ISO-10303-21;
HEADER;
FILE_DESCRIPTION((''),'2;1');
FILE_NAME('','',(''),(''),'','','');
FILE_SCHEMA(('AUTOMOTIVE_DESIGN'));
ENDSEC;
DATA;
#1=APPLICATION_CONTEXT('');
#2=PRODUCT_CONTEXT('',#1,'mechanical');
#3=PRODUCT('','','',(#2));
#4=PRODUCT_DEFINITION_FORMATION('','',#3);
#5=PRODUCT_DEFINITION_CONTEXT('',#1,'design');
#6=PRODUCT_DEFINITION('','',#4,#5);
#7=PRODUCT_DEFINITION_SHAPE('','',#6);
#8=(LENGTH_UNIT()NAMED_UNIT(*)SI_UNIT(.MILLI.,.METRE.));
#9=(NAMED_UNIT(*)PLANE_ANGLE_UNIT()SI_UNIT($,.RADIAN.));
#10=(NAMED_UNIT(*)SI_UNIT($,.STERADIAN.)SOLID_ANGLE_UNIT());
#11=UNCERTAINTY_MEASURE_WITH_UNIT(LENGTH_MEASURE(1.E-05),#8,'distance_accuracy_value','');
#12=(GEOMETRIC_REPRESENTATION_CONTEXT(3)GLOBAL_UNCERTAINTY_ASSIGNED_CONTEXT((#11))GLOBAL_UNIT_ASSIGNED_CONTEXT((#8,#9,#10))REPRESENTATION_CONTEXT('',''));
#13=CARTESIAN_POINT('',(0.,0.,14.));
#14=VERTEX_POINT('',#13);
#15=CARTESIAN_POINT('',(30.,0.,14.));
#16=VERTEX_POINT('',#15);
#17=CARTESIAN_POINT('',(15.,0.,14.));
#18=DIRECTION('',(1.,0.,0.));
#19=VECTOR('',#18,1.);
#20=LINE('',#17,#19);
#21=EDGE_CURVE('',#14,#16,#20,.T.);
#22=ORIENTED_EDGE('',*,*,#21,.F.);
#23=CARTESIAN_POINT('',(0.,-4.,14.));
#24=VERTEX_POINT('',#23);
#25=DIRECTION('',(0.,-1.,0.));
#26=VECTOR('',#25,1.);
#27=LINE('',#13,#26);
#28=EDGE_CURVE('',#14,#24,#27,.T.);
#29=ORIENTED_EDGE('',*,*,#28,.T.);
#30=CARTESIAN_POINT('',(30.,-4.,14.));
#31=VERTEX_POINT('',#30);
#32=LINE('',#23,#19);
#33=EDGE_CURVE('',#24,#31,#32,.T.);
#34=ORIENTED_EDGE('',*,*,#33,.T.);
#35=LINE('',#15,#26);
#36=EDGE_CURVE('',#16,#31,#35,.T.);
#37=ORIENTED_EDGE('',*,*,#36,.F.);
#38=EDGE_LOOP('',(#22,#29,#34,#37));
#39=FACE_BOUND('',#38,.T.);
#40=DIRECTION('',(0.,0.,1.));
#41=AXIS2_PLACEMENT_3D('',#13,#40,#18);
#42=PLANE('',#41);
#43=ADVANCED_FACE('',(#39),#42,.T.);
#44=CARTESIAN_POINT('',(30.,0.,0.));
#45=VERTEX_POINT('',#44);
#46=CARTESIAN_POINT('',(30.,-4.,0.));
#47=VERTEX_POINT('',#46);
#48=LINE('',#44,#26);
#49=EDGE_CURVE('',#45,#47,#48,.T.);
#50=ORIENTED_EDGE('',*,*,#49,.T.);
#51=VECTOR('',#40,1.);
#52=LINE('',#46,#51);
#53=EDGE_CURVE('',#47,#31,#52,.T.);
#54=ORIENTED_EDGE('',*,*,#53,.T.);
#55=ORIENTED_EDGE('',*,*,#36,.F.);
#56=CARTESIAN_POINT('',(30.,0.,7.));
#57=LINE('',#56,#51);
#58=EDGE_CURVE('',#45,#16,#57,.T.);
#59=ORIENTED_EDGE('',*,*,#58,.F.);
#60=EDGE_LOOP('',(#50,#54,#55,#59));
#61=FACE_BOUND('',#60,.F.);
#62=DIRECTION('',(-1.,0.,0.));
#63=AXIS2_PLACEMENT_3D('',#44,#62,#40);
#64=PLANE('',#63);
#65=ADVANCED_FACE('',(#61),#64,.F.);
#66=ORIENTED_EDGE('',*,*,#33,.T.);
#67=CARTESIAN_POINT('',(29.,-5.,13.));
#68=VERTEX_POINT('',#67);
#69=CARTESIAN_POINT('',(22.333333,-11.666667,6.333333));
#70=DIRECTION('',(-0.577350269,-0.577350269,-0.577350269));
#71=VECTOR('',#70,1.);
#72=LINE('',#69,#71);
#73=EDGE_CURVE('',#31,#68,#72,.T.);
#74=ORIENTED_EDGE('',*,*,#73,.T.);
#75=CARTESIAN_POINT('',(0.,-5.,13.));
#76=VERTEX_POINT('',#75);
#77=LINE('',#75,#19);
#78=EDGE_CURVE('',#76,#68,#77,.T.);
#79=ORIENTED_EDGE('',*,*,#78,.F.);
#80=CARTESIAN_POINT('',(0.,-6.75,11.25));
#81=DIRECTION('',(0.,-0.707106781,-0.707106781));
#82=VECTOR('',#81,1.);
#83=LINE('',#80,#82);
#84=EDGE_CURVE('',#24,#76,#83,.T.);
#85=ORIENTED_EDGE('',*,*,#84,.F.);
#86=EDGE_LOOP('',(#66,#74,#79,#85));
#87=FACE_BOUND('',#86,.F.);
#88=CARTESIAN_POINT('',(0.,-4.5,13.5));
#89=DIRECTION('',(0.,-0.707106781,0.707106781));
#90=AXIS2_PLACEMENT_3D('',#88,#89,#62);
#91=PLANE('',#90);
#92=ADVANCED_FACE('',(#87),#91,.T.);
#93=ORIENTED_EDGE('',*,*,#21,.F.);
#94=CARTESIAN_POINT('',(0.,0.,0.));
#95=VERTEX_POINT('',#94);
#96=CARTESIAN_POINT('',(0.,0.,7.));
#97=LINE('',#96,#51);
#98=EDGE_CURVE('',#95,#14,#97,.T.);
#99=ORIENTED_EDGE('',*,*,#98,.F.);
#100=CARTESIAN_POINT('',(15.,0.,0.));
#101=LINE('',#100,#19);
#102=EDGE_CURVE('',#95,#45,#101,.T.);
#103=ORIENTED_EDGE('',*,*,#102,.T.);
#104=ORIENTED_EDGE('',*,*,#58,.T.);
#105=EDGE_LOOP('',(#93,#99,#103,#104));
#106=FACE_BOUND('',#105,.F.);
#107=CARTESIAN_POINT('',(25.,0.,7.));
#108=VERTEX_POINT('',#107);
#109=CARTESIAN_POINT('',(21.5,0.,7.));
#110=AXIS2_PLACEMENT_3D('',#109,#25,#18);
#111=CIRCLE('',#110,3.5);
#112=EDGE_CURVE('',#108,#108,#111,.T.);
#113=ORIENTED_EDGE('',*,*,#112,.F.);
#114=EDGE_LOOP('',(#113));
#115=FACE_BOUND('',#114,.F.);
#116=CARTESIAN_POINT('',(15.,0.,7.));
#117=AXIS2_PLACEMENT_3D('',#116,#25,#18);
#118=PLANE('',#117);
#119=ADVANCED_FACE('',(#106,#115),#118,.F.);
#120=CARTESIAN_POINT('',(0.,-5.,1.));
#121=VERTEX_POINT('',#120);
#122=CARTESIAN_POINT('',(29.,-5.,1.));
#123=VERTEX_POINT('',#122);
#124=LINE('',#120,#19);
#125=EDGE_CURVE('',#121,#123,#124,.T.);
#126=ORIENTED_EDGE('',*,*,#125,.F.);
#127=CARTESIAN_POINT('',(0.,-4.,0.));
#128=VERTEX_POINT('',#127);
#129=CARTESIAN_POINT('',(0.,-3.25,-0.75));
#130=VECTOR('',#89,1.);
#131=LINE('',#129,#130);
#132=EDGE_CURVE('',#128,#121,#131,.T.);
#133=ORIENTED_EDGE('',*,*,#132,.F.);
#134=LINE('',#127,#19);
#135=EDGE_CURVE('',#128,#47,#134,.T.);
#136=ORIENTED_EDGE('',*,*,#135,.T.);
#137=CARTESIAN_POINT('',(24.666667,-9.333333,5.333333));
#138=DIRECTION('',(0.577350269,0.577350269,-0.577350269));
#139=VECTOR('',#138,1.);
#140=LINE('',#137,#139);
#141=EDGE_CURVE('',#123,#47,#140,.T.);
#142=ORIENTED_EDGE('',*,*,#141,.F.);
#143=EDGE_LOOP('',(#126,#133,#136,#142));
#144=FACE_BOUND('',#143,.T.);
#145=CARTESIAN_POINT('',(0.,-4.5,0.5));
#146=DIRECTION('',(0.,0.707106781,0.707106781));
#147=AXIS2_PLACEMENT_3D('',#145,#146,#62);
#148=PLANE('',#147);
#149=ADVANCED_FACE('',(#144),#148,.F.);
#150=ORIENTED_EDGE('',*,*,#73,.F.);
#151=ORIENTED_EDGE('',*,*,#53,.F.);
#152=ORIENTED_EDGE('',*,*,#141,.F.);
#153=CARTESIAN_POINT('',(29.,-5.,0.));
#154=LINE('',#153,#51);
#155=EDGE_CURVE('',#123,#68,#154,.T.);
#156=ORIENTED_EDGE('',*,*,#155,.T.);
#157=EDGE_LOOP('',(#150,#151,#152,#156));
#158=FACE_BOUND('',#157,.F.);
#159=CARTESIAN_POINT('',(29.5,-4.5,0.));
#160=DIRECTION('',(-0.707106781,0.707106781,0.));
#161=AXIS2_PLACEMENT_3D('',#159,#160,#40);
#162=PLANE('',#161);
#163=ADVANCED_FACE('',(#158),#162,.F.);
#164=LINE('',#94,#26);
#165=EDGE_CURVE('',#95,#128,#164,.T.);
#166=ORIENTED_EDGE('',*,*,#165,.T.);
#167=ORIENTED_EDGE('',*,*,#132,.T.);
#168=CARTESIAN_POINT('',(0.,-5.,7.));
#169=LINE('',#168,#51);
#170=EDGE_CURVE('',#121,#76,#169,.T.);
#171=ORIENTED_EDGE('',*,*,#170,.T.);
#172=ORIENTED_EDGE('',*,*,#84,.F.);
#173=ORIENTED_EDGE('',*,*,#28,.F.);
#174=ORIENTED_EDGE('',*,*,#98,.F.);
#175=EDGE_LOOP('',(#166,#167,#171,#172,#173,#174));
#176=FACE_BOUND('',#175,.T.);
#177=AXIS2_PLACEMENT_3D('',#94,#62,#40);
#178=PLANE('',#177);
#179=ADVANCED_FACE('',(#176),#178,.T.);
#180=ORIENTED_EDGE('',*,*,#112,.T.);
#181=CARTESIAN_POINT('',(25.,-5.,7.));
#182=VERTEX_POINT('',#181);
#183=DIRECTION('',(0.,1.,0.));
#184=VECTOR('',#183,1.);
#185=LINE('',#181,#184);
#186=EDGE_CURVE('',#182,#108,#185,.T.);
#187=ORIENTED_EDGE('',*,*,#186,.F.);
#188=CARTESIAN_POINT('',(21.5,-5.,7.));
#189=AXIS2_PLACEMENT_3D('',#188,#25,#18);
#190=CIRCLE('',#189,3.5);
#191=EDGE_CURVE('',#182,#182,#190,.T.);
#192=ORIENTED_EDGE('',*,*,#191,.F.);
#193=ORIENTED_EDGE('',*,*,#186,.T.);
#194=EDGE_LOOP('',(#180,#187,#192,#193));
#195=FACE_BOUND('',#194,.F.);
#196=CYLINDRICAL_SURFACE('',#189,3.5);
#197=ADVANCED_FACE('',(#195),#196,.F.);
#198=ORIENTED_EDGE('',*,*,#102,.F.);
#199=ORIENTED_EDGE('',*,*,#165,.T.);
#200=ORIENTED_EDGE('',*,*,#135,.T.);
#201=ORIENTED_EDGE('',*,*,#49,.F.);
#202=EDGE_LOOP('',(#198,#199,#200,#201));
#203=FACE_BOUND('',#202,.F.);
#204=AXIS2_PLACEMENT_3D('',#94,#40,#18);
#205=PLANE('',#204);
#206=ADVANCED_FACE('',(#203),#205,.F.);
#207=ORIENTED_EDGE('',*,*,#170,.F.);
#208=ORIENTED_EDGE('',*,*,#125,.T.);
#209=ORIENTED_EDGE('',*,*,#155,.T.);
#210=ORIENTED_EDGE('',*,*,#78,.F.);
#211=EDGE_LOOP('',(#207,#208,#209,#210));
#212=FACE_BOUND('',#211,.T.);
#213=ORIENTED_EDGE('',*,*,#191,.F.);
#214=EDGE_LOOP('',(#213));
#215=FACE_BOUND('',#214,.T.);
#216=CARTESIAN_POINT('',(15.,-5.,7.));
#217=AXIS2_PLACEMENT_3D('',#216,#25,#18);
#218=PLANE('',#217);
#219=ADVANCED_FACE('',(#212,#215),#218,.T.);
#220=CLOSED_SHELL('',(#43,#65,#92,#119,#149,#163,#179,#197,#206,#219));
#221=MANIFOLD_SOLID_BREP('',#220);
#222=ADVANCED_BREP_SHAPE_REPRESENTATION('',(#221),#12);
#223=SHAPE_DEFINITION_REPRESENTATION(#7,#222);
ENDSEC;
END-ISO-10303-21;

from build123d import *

# Parameters (mm, degrees)
F0_W     = 30
F0_H     = 14
F1_DEPTH = 5
F2_R     = 3.5
F3_DEPTH = 5.001
F4_SIZE  = 1


with BuildPart() as f1:
    # F0 (on Front) → F1 (new body)
    with BuildSketch(Plane.XZ):
        with Locations((15, 7)):
            Rectangle(F0_W, F0_H)
    extrude(amount=F1_DEPTH)

    # F2 (on face) → F3 (cut, through all)
    with BuildSketch(Plane.XZ.offset(5)):
        with Locations((21.5, 7)):
            Circle(F2_R)
    extrude(amount=-F3_DEPTH, mode=Mode.SUBTRACT)

    # F4
    f4_edges = [f1.edges().sort_by_distance(p)[0] for p in [
        (15, -5, 14),
        (30, -5, 7),
        (15, -5, 0),
    ]]
    chamfer(f4_edges, length=F4_SIZE)


solid = f1.part
